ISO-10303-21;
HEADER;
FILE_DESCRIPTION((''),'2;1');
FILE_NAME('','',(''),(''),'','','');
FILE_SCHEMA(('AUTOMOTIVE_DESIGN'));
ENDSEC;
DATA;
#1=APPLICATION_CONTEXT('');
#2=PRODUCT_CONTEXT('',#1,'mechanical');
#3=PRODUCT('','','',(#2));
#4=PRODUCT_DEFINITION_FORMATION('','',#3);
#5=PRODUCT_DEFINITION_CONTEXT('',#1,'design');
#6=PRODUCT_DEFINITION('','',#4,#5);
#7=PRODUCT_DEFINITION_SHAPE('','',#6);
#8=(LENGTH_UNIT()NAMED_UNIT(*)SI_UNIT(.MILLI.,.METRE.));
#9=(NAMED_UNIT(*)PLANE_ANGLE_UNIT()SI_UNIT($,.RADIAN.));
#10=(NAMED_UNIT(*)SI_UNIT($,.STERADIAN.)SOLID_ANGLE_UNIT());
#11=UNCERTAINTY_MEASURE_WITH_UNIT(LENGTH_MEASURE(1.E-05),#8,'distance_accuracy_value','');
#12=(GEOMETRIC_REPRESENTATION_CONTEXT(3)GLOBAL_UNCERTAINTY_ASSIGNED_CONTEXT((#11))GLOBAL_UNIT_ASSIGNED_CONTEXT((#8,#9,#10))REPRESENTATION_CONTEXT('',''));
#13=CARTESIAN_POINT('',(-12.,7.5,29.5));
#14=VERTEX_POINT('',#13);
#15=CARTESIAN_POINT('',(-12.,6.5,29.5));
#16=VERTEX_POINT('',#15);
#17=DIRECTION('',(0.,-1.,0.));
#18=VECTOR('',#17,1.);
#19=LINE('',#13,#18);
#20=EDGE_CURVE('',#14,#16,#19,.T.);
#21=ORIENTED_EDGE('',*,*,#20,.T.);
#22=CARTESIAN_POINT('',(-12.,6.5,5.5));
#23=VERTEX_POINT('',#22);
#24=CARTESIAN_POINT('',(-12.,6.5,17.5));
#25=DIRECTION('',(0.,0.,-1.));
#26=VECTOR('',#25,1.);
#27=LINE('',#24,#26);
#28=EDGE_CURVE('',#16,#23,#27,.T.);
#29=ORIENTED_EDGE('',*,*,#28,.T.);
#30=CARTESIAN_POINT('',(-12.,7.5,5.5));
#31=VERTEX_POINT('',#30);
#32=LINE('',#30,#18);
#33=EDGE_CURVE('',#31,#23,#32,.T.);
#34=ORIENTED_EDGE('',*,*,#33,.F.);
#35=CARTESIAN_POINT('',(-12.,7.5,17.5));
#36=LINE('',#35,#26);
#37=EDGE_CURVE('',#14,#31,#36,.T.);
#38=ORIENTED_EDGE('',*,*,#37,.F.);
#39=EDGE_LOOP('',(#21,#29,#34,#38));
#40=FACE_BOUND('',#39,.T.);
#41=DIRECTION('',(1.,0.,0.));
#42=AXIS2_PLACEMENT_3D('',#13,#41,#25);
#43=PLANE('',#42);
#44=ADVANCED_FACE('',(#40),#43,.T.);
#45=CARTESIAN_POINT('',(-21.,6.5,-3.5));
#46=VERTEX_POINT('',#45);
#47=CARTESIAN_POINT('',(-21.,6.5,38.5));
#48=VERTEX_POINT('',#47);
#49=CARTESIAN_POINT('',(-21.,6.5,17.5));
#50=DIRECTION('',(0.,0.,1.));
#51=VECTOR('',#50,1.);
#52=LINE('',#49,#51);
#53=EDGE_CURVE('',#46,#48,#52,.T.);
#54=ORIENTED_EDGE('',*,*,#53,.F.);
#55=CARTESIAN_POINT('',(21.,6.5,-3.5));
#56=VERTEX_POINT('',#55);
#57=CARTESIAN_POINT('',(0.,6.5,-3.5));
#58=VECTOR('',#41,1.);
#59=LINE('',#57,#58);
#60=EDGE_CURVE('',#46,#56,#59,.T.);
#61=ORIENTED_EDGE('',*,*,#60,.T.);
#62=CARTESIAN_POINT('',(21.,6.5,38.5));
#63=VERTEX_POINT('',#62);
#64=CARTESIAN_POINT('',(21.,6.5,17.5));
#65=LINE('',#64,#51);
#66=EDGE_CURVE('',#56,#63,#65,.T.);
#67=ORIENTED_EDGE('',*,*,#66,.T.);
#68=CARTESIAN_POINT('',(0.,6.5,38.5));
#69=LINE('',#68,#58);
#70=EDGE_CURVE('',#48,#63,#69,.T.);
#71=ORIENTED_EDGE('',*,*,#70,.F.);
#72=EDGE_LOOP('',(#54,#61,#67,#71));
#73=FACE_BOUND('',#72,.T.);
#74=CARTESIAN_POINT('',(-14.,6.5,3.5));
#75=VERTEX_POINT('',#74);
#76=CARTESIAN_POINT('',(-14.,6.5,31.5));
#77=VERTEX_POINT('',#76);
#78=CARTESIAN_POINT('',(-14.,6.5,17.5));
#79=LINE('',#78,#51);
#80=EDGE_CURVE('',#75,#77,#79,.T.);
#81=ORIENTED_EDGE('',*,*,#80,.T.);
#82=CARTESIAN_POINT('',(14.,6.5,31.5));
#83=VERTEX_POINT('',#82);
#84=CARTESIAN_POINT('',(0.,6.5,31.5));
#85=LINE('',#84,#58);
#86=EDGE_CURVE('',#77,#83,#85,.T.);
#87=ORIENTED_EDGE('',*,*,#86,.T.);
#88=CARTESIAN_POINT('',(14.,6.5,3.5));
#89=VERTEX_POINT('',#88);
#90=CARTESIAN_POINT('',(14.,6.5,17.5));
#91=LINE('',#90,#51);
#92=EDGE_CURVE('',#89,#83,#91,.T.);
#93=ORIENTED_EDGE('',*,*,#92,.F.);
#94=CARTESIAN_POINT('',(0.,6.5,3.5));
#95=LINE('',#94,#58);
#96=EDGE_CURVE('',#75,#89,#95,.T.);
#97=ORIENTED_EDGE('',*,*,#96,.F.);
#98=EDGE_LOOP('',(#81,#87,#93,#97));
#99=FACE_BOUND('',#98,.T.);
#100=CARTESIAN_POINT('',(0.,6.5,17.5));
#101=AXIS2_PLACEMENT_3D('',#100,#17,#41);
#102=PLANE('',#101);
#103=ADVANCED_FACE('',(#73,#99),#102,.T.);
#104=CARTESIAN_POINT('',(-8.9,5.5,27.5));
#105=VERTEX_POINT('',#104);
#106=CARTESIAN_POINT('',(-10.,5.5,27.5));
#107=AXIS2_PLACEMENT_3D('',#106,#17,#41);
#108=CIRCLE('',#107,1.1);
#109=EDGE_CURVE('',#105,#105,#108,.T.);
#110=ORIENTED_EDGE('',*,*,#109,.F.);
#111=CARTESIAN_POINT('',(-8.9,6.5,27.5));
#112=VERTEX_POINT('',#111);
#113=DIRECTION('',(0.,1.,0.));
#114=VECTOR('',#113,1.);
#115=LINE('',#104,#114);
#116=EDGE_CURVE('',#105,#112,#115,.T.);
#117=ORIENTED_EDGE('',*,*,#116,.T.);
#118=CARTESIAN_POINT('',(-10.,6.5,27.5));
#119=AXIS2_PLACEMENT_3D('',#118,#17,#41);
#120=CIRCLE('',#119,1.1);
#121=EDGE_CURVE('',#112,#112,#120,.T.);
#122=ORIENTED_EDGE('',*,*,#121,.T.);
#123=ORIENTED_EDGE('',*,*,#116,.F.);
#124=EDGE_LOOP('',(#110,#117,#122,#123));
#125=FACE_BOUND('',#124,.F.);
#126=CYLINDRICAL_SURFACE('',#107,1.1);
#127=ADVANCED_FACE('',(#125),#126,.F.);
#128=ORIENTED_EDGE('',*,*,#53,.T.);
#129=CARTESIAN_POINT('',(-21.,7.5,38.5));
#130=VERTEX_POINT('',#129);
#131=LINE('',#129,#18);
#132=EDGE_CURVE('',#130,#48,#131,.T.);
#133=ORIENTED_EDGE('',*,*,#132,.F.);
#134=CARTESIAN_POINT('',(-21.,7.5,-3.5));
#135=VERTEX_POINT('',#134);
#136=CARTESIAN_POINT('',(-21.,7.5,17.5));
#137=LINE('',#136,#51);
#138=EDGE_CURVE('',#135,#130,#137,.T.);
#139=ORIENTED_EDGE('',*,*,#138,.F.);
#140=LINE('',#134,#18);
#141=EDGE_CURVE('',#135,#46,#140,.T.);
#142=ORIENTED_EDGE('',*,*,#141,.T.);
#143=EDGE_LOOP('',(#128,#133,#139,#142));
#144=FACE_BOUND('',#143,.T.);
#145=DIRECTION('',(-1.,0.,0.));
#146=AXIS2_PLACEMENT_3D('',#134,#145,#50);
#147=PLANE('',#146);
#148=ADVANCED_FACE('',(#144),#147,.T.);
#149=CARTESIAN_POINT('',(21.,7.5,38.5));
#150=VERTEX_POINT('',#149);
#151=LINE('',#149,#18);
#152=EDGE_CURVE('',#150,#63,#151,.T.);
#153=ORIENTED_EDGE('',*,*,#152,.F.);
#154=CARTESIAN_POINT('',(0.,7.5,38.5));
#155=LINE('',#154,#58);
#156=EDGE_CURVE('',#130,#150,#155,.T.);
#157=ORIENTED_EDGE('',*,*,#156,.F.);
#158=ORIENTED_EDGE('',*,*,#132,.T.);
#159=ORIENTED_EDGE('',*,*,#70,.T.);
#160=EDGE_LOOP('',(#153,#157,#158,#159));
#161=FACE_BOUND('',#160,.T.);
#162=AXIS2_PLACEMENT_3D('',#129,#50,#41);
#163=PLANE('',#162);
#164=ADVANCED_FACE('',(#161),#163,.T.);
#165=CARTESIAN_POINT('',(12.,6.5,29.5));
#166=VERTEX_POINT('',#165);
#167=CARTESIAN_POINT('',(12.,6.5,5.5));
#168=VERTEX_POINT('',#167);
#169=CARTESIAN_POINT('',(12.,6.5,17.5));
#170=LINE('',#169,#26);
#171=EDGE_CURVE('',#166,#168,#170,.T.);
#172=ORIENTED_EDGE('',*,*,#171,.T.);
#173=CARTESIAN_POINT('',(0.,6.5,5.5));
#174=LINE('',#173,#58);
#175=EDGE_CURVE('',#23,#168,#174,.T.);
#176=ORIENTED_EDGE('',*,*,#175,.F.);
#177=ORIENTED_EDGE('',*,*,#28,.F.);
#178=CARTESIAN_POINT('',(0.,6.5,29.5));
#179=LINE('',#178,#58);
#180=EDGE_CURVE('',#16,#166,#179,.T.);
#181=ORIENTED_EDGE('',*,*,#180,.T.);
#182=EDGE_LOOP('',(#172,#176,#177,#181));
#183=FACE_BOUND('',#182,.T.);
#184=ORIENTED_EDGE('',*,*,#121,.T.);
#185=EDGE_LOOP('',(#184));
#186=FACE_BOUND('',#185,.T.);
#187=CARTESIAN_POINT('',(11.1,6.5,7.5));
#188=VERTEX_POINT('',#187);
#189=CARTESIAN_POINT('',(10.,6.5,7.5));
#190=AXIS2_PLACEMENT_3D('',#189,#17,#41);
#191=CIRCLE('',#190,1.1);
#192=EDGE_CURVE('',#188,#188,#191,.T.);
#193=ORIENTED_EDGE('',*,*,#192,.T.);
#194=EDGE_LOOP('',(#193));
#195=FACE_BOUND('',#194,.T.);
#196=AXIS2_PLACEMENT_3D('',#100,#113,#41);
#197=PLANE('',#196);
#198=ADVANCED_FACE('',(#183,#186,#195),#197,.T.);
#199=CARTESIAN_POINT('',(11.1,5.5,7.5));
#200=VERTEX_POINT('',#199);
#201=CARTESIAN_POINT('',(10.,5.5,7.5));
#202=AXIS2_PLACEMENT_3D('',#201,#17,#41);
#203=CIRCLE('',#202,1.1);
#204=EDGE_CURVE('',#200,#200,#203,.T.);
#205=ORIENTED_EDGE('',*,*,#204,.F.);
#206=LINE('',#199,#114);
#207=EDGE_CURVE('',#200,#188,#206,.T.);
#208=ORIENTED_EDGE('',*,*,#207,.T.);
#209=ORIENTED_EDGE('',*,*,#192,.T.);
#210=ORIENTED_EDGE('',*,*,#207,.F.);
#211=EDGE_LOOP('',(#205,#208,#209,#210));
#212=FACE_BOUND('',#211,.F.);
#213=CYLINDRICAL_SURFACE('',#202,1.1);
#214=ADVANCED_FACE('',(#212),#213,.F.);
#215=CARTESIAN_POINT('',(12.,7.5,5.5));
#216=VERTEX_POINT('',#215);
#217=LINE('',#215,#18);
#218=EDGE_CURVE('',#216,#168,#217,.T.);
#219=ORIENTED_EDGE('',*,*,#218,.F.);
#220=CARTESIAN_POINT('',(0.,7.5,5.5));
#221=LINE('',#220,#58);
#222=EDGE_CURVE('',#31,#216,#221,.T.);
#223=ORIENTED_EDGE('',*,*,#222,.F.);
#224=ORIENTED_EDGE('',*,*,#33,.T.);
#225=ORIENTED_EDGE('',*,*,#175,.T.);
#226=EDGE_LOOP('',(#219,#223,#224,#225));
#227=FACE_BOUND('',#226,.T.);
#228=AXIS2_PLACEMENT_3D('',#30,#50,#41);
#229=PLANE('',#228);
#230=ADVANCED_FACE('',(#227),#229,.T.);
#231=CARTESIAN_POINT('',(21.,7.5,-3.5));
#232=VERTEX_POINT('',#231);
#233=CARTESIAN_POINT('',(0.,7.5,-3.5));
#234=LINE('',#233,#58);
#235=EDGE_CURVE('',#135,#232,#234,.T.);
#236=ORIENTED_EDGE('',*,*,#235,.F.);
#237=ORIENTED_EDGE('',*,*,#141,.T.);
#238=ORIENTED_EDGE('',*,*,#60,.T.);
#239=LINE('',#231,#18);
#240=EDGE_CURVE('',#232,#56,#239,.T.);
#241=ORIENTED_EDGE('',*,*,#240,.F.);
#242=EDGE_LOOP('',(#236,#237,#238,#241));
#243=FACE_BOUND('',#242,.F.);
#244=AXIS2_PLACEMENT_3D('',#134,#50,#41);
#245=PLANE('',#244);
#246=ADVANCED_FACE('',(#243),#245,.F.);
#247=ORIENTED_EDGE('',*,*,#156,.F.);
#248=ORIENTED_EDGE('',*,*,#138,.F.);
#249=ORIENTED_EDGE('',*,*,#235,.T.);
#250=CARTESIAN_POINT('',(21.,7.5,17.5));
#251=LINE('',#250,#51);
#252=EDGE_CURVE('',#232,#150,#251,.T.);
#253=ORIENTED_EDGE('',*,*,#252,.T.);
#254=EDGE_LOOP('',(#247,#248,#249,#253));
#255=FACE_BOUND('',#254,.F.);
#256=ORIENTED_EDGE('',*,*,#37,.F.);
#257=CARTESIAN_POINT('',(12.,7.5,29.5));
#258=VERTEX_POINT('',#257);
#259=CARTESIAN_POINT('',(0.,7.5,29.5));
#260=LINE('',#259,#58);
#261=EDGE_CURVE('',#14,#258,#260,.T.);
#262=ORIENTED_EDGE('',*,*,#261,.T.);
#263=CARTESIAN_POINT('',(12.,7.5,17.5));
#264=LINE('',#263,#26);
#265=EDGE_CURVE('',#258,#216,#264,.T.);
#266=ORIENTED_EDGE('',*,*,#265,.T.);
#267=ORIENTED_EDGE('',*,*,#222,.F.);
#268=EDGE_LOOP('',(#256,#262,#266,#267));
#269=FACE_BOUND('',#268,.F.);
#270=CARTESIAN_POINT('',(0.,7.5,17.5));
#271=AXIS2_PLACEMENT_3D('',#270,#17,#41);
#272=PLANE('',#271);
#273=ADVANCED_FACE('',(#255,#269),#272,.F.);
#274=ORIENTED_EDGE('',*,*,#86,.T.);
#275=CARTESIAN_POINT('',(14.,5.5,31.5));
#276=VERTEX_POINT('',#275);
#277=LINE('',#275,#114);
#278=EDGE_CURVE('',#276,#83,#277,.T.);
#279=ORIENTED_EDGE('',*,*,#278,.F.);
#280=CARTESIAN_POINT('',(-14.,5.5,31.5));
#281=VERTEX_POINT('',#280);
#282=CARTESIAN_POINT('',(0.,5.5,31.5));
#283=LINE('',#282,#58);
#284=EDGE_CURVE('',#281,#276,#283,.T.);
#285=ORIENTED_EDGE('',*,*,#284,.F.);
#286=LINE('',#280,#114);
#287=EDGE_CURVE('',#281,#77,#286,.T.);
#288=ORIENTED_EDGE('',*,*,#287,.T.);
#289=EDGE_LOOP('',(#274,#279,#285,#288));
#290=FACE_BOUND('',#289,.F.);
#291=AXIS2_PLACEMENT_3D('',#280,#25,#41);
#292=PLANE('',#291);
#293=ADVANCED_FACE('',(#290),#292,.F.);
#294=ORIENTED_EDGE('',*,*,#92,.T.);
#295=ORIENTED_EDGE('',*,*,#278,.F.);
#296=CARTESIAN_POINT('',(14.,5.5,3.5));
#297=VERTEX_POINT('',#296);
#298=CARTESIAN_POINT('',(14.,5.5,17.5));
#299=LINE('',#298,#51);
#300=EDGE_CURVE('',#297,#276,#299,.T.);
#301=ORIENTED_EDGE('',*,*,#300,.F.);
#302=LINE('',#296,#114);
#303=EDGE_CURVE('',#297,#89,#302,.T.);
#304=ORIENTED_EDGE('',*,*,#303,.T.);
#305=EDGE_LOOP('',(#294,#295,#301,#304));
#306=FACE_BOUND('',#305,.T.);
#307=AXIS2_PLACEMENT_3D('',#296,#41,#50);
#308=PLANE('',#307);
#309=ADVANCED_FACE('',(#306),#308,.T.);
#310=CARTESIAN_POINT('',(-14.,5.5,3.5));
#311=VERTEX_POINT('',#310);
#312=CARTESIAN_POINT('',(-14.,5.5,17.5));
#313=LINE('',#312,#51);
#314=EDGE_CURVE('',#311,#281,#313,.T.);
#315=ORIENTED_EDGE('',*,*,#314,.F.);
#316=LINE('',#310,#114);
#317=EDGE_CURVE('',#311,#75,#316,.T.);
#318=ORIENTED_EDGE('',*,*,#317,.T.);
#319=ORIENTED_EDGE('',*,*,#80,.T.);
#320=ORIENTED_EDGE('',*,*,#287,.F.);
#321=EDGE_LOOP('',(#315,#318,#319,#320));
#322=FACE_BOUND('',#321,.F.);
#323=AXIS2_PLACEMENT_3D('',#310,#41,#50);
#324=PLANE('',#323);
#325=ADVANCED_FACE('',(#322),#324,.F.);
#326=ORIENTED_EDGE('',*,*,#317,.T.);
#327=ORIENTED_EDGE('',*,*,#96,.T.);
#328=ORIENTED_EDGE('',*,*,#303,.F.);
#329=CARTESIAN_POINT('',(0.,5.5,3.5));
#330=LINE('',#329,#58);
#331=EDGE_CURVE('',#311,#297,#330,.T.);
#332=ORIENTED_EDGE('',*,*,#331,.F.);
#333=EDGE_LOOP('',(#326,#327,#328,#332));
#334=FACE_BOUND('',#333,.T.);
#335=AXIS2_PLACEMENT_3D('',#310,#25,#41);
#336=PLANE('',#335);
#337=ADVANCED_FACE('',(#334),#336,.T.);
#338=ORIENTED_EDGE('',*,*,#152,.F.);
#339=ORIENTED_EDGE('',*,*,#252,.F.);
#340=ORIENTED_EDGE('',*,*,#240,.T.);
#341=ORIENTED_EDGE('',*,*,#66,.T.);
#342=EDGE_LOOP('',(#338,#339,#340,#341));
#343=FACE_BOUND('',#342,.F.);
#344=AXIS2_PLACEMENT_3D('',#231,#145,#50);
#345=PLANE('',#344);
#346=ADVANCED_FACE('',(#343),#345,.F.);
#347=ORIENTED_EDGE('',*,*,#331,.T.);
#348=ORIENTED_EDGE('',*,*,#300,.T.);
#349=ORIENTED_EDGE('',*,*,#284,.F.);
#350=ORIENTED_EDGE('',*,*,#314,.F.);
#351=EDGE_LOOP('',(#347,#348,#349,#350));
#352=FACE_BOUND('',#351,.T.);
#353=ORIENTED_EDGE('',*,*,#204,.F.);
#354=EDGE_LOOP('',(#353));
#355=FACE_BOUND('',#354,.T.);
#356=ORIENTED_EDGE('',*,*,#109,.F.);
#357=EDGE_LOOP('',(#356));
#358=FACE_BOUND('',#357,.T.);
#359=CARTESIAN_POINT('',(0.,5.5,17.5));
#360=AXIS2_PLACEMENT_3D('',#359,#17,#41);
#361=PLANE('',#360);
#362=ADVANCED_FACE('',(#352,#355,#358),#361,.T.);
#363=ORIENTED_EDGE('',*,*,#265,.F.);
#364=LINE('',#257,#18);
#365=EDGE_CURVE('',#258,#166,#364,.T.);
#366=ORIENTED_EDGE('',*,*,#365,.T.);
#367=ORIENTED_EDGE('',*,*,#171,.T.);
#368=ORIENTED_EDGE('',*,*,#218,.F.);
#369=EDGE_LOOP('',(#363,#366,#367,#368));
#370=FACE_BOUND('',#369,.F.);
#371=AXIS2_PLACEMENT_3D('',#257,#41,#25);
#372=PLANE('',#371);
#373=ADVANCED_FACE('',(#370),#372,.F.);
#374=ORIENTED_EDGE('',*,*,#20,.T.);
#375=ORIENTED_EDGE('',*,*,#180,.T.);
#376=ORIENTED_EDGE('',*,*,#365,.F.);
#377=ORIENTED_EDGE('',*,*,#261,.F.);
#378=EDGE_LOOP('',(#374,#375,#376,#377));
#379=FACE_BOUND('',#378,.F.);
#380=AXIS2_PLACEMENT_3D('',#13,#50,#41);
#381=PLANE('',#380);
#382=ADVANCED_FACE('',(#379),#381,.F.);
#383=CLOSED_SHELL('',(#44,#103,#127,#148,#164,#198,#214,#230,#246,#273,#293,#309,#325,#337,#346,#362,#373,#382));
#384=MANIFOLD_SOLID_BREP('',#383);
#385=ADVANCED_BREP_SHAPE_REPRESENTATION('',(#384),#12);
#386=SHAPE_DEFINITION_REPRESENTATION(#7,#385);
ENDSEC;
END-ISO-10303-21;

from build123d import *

# Parameters (mm, degrees)
SKETCH032_W     = 42
SKETCH032_H     = 42
PAD111_DEPTH    = 2
SKETCH165_W     = 24
SKETCH165_H     = 24
POCKET008_DEPTH = 1
SKETCH167_W     = 42
SKETCH167_H     = 42
SKETCH167_W_2   = 28
SKETCH167_H_2   = 28
POCKET009_DEPTH = 1
SKETCH300_R     = 1.1
POCKET045_DEPTH = 5


with BuildPart() as part:
    # Sketch032 → Pad111 (new body)
    with BuildSketch(Plane.XZ):
        Rectangle(SKETCH032_W, SKETCH032_H)
    extrude(amount=PAD111_DEPTH)

    # Sketch165 (on Face5 of Pad111) → Pocket008 (cut)
    with BuildSketch(Plane(origin=(0, 0, 0), x_dir=(1, 0, 0), z_dir=(0, 1, 0))):
        Rectangle(SKETCH165_W, SKETCH165_H)
    extrude(amount=-POCKET008_DEPTH, mode=Mode.SUBTRACT)

    # Sketch167 (on Face5 of Pocket008) → Pocket009 (cut)
    with BuildSketch(Plane.XZ.offset(2)):
        Rectangle(SKETCH167_W, SKETCH167_H)
        Rectangle(SKETCH167_W_2, SKETCH167_H_2, mode=Mode.SUBTRACT)
    extrude(amount=-POCKET009_DEPTH, mode=Mode.SUBTRACT)

    # Sketch300 (on Face16 of Pocket009) → Pocket045 (cut)
    with BuildSketch(Plane.XZ.offset(2)):
        with Locations((-10, 10)):
            Circle(SKETCH300_R)
        with Locations((10, -10)):
            Circle(SKETCH300_R)
    extrude(amount=-POCKET045_DEPTH, mode=Mode.SUBTRACT)


with BuildPart() as part_1:
    # Body012 placement: moved
    add(part.part.moved(Location((0, 7.5, 17.5))))


solid = part_1.part
